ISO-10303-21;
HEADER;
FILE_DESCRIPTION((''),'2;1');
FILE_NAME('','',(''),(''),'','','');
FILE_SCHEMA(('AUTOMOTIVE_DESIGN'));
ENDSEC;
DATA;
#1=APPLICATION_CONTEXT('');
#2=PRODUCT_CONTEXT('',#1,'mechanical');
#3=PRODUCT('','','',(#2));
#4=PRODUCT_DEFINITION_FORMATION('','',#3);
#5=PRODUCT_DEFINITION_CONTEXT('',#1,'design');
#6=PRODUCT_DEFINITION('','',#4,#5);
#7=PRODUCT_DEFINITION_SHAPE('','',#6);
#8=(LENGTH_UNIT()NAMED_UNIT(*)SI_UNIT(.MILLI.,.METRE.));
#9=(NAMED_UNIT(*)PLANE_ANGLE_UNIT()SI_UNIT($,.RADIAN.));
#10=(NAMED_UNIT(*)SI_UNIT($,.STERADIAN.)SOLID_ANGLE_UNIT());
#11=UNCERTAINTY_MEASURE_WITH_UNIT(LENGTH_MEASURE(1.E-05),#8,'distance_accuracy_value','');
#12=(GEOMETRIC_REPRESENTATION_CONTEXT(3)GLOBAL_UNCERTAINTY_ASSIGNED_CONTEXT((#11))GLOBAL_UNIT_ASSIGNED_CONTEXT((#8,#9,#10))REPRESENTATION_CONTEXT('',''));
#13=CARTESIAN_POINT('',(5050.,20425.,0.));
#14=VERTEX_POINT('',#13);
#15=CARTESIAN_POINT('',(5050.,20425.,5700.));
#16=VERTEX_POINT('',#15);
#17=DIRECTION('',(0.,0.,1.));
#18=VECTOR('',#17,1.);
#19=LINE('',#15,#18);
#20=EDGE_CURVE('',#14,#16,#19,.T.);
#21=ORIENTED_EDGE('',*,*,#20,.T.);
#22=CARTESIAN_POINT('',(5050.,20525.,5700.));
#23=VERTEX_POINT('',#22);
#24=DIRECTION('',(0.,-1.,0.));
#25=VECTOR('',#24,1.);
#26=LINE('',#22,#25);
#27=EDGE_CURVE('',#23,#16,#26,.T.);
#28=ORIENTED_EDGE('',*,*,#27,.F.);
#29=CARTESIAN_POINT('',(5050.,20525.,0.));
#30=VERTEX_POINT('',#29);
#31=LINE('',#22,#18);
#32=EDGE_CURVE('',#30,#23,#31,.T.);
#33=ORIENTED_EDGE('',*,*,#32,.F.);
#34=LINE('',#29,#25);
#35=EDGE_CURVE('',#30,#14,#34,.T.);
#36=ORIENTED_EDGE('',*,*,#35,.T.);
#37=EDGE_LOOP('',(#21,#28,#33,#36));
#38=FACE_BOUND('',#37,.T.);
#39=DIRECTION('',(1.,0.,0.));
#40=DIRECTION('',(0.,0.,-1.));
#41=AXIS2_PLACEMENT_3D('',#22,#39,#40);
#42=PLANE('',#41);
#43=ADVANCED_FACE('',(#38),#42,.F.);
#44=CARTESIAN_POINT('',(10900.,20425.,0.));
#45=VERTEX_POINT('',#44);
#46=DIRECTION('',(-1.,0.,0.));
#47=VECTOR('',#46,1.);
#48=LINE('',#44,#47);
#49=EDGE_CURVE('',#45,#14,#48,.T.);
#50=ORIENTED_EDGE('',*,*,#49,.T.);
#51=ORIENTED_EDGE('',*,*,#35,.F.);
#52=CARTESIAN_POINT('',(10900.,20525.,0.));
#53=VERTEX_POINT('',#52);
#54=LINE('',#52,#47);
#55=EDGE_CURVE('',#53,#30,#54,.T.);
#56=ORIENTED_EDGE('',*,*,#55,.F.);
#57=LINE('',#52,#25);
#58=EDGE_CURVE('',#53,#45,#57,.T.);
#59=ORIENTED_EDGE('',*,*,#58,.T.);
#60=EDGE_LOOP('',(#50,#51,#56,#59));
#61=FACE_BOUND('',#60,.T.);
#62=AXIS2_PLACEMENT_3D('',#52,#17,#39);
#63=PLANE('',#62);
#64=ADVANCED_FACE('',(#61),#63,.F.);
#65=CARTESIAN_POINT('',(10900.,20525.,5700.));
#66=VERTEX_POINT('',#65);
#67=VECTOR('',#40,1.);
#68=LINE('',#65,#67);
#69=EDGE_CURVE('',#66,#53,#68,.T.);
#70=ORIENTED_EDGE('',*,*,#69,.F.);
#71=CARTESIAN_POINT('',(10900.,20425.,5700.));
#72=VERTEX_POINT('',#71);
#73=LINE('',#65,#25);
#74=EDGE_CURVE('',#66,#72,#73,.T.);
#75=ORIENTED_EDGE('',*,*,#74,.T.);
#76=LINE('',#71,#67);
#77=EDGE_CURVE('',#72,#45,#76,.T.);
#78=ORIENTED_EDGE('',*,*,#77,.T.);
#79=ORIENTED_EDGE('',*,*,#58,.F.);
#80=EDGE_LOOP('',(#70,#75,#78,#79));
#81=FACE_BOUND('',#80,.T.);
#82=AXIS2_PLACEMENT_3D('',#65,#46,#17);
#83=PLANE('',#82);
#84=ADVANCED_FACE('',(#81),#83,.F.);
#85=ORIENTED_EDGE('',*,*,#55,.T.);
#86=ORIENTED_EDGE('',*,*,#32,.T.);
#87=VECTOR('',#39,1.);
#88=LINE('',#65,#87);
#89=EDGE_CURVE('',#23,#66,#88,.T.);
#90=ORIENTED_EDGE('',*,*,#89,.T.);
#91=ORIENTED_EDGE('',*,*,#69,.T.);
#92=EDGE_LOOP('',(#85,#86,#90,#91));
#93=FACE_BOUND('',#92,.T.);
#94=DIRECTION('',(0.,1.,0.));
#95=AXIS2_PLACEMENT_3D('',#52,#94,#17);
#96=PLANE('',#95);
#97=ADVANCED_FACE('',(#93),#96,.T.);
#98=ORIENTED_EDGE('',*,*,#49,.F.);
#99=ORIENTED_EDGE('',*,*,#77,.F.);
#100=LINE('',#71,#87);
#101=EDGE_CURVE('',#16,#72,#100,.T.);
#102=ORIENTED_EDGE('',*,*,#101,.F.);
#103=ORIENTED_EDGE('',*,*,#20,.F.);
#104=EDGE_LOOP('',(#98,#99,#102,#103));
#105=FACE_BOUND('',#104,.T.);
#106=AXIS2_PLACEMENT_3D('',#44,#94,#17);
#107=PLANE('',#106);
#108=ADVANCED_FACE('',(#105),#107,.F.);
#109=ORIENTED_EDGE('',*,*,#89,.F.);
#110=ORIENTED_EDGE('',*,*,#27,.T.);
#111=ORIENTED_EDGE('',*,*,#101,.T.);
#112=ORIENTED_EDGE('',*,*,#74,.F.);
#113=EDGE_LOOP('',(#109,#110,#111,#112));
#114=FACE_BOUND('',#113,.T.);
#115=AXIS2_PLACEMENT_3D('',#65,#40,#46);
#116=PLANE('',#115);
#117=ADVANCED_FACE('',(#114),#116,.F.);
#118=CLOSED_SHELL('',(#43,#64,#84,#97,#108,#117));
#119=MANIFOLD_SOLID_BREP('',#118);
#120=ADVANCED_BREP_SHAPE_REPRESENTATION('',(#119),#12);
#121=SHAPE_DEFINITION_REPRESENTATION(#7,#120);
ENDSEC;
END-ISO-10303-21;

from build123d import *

# Parameters (mm, degrees)
SKETCH1_W      = 5850
SKETCH1_H      = 5700
EXTRUDE1_DEPTH = 100


with BuildPart() as part:
    # Sketch1 → Extrude1 (new body)
    with BuildSketch(Plane(origin=(0, 20425, 0), x_dir=(-1, 0, 0), z_dir=(0, 1, 0))):
        with Locations((-7975, 2850)):
            Rectangle(SKETCH1_W, SKETCH1_H)
    extrude(amount=EXTRUDE1_DEPTH)


solid = part.part
